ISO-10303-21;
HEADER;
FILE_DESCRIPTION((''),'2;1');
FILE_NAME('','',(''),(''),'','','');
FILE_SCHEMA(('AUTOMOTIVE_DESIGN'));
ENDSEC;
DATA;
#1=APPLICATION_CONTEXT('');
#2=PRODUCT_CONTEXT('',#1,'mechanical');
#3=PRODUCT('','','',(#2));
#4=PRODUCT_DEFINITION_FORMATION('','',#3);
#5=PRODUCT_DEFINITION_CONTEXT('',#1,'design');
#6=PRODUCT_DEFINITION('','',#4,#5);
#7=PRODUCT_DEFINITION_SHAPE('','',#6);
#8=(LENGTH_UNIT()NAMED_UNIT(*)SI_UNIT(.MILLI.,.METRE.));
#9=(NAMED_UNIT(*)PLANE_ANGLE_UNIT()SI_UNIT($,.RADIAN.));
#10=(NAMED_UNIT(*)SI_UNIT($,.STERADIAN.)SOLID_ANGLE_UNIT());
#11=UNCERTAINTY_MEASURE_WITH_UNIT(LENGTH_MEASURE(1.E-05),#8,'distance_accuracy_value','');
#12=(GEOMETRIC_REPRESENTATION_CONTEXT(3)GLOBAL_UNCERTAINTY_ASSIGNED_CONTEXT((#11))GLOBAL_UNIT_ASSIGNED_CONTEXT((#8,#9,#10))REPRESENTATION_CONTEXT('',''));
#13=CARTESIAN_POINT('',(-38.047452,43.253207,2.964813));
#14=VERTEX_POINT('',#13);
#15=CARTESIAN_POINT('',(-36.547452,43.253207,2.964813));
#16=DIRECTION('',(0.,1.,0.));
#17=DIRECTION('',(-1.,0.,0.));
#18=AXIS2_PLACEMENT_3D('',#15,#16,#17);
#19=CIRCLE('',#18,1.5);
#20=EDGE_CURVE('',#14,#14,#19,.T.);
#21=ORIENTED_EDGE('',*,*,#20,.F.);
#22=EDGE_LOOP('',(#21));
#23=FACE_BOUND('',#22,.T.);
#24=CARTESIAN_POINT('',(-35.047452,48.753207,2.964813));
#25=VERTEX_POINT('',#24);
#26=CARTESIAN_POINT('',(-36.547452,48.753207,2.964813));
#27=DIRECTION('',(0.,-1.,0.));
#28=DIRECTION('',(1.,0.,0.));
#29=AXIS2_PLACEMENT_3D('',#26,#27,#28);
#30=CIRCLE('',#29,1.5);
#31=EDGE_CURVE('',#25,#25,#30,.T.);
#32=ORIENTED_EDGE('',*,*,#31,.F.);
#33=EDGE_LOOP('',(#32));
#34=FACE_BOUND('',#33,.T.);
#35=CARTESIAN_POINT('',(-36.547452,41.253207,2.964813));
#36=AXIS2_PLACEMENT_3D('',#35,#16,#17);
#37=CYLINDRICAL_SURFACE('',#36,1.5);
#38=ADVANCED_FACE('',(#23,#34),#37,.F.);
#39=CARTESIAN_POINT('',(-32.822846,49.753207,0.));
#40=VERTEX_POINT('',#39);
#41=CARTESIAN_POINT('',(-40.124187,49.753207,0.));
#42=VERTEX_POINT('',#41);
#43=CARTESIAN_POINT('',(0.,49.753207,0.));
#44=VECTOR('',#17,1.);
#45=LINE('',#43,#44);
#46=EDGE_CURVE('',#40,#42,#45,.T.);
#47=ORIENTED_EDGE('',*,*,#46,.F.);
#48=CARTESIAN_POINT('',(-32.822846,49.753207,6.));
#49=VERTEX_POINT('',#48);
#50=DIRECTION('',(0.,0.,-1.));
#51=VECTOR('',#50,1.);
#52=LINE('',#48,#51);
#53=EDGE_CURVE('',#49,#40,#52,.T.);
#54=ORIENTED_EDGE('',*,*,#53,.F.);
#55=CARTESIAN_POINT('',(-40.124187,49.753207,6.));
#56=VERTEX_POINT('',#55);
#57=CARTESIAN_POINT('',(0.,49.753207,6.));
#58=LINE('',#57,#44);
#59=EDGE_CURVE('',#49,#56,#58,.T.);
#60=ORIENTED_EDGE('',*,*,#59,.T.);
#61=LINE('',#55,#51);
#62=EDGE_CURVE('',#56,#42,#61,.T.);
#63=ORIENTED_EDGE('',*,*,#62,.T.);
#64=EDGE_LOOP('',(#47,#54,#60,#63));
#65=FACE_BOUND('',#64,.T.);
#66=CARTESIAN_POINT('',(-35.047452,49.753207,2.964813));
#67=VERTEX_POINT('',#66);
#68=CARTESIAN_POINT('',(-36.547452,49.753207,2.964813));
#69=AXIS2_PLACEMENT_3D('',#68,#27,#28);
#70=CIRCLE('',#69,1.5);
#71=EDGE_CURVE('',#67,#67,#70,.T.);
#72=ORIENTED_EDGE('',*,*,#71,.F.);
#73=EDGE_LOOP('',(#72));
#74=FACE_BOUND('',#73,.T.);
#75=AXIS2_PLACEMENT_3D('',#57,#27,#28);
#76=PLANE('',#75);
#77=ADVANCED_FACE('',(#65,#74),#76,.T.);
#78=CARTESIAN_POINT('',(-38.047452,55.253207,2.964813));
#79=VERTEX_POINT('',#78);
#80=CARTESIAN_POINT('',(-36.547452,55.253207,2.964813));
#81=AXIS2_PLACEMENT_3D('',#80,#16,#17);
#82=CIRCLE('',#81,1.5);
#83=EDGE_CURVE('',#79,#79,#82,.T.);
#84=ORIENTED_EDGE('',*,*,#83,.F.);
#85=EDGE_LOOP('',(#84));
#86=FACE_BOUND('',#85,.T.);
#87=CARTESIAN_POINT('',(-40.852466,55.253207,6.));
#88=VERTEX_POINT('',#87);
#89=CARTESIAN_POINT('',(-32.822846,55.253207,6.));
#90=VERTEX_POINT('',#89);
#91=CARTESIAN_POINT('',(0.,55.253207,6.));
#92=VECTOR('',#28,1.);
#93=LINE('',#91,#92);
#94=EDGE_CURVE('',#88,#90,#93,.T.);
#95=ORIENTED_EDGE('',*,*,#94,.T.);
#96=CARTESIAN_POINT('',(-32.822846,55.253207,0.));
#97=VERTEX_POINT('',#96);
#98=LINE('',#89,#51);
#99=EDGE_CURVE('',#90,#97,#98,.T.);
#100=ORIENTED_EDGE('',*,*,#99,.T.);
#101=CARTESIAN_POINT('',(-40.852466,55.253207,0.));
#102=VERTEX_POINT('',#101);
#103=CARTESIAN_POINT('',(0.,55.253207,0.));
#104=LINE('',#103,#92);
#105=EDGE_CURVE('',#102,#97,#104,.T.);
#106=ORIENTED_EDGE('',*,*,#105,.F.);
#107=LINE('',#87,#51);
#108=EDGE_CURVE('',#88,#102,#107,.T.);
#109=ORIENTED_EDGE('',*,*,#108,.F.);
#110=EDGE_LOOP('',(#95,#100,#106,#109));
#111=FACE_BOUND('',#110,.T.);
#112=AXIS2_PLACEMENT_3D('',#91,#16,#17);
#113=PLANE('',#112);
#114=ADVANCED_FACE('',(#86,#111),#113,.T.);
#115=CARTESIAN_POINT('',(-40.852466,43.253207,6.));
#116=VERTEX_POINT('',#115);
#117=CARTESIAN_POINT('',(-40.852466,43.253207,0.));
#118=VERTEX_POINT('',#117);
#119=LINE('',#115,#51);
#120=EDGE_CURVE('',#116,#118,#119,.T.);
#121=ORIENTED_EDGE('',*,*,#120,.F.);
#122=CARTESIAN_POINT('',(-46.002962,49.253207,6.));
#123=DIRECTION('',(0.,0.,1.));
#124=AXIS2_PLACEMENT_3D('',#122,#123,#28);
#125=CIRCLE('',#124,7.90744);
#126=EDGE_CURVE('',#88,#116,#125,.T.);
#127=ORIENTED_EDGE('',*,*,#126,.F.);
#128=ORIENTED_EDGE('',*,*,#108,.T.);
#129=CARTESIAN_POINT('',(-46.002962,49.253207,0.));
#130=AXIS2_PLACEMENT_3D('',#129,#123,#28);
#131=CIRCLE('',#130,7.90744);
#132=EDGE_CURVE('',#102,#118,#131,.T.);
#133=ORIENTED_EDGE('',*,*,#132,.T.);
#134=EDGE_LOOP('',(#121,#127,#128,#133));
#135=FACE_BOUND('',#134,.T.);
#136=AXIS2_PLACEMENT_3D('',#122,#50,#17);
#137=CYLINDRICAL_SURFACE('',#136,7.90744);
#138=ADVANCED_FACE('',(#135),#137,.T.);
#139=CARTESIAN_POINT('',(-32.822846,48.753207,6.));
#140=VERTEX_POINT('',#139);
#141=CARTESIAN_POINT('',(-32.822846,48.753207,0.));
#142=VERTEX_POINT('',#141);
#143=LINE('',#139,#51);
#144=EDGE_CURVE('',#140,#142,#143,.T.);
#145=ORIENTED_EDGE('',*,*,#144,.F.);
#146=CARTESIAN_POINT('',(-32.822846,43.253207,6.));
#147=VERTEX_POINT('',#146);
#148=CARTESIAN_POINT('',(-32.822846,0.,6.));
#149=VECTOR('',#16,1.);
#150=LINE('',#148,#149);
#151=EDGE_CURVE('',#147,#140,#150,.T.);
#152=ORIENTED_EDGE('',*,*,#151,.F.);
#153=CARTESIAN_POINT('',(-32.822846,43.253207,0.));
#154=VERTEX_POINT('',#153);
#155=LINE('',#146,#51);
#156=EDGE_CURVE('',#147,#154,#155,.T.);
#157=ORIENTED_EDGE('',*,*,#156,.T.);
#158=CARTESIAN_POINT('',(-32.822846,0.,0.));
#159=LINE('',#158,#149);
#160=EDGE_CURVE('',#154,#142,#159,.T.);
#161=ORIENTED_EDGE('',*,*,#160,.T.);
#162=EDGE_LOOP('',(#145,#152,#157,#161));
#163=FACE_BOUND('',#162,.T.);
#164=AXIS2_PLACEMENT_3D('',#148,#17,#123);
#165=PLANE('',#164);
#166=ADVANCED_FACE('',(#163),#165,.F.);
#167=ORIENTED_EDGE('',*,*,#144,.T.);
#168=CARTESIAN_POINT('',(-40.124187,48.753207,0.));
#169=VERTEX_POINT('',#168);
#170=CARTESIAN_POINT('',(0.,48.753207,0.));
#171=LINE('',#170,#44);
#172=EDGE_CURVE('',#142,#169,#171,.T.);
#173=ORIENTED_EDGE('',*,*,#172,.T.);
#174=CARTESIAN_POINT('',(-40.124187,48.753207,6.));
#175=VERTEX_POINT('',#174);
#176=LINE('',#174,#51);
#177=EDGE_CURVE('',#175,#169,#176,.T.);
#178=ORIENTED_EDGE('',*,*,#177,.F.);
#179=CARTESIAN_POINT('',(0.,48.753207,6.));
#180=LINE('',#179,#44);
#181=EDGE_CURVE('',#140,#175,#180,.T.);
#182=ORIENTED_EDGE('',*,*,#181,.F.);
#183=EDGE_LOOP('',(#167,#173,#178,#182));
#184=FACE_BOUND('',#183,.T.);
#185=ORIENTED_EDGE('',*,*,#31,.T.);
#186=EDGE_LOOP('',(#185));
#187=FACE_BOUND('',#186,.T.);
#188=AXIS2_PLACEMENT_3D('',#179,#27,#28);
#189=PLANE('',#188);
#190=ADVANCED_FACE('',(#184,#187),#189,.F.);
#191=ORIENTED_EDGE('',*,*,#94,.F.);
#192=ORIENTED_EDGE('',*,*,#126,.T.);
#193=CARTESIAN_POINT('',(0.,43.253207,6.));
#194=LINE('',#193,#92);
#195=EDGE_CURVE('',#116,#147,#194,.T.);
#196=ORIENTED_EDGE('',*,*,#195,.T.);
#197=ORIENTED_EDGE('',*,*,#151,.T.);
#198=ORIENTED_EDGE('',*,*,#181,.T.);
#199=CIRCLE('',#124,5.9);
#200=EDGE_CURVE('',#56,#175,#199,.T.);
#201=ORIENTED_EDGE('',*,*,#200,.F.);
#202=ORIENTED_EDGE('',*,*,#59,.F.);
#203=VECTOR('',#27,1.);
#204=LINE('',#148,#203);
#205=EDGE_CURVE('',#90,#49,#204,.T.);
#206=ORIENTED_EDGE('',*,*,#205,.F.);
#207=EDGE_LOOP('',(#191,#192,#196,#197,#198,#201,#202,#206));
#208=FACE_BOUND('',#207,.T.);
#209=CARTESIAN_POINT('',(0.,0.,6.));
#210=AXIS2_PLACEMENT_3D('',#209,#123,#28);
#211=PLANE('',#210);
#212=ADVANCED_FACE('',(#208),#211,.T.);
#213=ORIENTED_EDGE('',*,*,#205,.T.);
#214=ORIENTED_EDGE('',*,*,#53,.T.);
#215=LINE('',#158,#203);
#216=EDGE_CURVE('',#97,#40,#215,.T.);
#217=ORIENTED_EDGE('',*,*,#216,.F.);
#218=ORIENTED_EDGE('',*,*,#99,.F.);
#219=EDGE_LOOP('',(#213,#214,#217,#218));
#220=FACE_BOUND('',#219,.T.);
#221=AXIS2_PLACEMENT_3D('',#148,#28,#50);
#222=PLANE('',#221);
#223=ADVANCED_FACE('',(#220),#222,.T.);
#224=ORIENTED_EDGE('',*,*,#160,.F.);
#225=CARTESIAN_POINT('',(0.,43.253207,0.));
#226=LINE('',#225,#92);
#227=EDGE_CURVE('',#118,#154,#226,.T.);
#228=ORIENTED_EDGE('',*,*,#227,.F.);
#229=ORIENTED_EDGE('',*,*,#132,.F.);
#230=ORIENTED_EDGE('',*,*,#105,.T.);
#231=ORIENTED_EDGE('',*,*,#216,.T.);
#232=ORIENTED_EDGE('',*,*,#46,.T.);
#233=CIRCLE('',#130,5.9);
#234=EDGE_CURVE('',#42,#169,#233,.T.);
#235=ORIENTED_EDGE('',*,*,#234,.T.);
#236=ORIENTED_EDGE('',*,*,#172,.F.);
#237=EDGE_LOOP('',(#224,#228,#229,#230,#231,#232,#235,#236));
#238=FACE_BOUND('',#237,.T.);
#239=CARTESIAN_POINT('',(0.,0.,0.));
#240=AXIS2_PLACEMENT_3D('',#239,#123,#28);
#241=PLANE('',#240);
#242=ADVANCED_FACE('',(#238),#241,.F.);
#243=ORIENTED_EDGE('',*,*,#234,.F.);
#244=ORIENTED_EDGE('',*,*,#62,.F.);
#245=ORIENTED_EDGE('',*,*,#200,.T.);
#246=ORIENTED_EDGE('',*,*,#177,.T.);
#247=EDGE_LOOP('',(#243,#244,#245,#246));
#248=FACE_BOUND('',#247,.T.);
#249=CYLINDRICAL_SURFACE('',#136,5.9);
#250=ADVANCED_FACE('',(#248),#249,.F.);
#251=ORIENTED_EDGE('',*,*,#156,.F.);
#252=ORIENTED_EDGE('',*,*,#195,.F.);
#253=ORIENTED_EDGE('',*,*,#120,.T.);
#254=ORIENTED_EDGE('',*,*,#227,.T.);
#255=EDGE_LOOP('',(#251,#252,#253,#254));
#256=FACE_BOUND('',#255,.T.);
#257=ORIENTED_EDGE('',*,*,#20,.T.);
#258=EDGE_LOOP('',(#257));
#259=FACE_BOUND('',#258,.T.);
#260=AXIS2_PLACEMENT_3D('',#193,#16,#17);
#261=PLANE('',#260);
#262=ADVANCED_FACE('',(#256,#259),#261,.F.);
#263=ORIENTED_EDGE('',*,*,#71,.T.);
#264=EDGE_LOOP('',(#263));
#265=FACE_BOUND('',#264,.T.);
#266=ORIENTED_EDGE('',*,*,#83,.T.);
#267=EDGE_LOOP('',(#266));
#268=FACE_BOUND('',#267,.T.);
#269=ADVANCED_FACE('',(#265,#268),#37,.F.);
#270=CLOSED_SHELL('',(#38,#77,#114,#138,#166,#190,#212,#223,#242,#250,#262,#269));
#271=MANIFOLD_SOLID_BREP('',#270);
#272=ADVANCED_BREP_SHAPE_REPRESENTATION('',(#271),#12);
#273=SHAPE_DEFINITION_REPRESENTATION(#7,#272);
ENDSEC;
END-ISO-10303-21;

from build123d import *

# Parameters (mm, degrees)
BOSS_EXTRUDE1_DEPTH = 6
SKETCH2_R           = 1.5
CUT_EXTRUDE1_DEPTH  = 14


with BuildPart() as part:
    # Sketch1 → Boss-Extrude1 (new body)
    with BuildSketch(Plane.XY):
        with BuildLine():
            Line((-32.822846092, 55.253207469), (-40.85246604, 55.253207469))
            ThreePointArc((-40.85246604, 55.253207469), (-53.910402863, 49.253207469), (-40.85246604, 43.253207469))
            Line((-40.85246604, 43.253207469), (-32.822846092, 43.253207469))
            Line((-32.822846092, 43.253207469), (-32.822846092, 48.753207469))
            Line((-32.822846092, 48.753207469), (-38.111345814, 48.753207469))
            Line((-38.111345814, 48.753207469), (-40.124187091, 48.753207469))
            ThreePointArc((-40.124187091, 48.753207469), (-51.902962473, 49.253207469), (-40.124187091, 49.753207469))
            Line((-40.124187091, 49.753207469), (-38.111345814, 49.753207469))
            Line((-38.111345814, 49.753207469), (-32.822846092, 49.753207469))
            Line((-32.822846092, 49.753207469), (-32.822846092, 55.253207469))
        make_face()
    extrude(amount=BOSS_EXTRUDE1_DEPTH)

    # Sketch2 → Cut-Extrude1 (cut)
    with BuildSketch(Plane(origin=(0, 55.253207469, 0), x_dir=(1, 0, 0), z_dir=(0, 1, 0))):
        with Locations(Location((-36.547451728, -2.96481335, 0), (0, 0, 180))):
            Circle(SKETCH2_R)
    extrude(amount=-CUT_EXTRUDE1_DEPTH, mode=Mode.SUBTRACT)


solid = part.part
